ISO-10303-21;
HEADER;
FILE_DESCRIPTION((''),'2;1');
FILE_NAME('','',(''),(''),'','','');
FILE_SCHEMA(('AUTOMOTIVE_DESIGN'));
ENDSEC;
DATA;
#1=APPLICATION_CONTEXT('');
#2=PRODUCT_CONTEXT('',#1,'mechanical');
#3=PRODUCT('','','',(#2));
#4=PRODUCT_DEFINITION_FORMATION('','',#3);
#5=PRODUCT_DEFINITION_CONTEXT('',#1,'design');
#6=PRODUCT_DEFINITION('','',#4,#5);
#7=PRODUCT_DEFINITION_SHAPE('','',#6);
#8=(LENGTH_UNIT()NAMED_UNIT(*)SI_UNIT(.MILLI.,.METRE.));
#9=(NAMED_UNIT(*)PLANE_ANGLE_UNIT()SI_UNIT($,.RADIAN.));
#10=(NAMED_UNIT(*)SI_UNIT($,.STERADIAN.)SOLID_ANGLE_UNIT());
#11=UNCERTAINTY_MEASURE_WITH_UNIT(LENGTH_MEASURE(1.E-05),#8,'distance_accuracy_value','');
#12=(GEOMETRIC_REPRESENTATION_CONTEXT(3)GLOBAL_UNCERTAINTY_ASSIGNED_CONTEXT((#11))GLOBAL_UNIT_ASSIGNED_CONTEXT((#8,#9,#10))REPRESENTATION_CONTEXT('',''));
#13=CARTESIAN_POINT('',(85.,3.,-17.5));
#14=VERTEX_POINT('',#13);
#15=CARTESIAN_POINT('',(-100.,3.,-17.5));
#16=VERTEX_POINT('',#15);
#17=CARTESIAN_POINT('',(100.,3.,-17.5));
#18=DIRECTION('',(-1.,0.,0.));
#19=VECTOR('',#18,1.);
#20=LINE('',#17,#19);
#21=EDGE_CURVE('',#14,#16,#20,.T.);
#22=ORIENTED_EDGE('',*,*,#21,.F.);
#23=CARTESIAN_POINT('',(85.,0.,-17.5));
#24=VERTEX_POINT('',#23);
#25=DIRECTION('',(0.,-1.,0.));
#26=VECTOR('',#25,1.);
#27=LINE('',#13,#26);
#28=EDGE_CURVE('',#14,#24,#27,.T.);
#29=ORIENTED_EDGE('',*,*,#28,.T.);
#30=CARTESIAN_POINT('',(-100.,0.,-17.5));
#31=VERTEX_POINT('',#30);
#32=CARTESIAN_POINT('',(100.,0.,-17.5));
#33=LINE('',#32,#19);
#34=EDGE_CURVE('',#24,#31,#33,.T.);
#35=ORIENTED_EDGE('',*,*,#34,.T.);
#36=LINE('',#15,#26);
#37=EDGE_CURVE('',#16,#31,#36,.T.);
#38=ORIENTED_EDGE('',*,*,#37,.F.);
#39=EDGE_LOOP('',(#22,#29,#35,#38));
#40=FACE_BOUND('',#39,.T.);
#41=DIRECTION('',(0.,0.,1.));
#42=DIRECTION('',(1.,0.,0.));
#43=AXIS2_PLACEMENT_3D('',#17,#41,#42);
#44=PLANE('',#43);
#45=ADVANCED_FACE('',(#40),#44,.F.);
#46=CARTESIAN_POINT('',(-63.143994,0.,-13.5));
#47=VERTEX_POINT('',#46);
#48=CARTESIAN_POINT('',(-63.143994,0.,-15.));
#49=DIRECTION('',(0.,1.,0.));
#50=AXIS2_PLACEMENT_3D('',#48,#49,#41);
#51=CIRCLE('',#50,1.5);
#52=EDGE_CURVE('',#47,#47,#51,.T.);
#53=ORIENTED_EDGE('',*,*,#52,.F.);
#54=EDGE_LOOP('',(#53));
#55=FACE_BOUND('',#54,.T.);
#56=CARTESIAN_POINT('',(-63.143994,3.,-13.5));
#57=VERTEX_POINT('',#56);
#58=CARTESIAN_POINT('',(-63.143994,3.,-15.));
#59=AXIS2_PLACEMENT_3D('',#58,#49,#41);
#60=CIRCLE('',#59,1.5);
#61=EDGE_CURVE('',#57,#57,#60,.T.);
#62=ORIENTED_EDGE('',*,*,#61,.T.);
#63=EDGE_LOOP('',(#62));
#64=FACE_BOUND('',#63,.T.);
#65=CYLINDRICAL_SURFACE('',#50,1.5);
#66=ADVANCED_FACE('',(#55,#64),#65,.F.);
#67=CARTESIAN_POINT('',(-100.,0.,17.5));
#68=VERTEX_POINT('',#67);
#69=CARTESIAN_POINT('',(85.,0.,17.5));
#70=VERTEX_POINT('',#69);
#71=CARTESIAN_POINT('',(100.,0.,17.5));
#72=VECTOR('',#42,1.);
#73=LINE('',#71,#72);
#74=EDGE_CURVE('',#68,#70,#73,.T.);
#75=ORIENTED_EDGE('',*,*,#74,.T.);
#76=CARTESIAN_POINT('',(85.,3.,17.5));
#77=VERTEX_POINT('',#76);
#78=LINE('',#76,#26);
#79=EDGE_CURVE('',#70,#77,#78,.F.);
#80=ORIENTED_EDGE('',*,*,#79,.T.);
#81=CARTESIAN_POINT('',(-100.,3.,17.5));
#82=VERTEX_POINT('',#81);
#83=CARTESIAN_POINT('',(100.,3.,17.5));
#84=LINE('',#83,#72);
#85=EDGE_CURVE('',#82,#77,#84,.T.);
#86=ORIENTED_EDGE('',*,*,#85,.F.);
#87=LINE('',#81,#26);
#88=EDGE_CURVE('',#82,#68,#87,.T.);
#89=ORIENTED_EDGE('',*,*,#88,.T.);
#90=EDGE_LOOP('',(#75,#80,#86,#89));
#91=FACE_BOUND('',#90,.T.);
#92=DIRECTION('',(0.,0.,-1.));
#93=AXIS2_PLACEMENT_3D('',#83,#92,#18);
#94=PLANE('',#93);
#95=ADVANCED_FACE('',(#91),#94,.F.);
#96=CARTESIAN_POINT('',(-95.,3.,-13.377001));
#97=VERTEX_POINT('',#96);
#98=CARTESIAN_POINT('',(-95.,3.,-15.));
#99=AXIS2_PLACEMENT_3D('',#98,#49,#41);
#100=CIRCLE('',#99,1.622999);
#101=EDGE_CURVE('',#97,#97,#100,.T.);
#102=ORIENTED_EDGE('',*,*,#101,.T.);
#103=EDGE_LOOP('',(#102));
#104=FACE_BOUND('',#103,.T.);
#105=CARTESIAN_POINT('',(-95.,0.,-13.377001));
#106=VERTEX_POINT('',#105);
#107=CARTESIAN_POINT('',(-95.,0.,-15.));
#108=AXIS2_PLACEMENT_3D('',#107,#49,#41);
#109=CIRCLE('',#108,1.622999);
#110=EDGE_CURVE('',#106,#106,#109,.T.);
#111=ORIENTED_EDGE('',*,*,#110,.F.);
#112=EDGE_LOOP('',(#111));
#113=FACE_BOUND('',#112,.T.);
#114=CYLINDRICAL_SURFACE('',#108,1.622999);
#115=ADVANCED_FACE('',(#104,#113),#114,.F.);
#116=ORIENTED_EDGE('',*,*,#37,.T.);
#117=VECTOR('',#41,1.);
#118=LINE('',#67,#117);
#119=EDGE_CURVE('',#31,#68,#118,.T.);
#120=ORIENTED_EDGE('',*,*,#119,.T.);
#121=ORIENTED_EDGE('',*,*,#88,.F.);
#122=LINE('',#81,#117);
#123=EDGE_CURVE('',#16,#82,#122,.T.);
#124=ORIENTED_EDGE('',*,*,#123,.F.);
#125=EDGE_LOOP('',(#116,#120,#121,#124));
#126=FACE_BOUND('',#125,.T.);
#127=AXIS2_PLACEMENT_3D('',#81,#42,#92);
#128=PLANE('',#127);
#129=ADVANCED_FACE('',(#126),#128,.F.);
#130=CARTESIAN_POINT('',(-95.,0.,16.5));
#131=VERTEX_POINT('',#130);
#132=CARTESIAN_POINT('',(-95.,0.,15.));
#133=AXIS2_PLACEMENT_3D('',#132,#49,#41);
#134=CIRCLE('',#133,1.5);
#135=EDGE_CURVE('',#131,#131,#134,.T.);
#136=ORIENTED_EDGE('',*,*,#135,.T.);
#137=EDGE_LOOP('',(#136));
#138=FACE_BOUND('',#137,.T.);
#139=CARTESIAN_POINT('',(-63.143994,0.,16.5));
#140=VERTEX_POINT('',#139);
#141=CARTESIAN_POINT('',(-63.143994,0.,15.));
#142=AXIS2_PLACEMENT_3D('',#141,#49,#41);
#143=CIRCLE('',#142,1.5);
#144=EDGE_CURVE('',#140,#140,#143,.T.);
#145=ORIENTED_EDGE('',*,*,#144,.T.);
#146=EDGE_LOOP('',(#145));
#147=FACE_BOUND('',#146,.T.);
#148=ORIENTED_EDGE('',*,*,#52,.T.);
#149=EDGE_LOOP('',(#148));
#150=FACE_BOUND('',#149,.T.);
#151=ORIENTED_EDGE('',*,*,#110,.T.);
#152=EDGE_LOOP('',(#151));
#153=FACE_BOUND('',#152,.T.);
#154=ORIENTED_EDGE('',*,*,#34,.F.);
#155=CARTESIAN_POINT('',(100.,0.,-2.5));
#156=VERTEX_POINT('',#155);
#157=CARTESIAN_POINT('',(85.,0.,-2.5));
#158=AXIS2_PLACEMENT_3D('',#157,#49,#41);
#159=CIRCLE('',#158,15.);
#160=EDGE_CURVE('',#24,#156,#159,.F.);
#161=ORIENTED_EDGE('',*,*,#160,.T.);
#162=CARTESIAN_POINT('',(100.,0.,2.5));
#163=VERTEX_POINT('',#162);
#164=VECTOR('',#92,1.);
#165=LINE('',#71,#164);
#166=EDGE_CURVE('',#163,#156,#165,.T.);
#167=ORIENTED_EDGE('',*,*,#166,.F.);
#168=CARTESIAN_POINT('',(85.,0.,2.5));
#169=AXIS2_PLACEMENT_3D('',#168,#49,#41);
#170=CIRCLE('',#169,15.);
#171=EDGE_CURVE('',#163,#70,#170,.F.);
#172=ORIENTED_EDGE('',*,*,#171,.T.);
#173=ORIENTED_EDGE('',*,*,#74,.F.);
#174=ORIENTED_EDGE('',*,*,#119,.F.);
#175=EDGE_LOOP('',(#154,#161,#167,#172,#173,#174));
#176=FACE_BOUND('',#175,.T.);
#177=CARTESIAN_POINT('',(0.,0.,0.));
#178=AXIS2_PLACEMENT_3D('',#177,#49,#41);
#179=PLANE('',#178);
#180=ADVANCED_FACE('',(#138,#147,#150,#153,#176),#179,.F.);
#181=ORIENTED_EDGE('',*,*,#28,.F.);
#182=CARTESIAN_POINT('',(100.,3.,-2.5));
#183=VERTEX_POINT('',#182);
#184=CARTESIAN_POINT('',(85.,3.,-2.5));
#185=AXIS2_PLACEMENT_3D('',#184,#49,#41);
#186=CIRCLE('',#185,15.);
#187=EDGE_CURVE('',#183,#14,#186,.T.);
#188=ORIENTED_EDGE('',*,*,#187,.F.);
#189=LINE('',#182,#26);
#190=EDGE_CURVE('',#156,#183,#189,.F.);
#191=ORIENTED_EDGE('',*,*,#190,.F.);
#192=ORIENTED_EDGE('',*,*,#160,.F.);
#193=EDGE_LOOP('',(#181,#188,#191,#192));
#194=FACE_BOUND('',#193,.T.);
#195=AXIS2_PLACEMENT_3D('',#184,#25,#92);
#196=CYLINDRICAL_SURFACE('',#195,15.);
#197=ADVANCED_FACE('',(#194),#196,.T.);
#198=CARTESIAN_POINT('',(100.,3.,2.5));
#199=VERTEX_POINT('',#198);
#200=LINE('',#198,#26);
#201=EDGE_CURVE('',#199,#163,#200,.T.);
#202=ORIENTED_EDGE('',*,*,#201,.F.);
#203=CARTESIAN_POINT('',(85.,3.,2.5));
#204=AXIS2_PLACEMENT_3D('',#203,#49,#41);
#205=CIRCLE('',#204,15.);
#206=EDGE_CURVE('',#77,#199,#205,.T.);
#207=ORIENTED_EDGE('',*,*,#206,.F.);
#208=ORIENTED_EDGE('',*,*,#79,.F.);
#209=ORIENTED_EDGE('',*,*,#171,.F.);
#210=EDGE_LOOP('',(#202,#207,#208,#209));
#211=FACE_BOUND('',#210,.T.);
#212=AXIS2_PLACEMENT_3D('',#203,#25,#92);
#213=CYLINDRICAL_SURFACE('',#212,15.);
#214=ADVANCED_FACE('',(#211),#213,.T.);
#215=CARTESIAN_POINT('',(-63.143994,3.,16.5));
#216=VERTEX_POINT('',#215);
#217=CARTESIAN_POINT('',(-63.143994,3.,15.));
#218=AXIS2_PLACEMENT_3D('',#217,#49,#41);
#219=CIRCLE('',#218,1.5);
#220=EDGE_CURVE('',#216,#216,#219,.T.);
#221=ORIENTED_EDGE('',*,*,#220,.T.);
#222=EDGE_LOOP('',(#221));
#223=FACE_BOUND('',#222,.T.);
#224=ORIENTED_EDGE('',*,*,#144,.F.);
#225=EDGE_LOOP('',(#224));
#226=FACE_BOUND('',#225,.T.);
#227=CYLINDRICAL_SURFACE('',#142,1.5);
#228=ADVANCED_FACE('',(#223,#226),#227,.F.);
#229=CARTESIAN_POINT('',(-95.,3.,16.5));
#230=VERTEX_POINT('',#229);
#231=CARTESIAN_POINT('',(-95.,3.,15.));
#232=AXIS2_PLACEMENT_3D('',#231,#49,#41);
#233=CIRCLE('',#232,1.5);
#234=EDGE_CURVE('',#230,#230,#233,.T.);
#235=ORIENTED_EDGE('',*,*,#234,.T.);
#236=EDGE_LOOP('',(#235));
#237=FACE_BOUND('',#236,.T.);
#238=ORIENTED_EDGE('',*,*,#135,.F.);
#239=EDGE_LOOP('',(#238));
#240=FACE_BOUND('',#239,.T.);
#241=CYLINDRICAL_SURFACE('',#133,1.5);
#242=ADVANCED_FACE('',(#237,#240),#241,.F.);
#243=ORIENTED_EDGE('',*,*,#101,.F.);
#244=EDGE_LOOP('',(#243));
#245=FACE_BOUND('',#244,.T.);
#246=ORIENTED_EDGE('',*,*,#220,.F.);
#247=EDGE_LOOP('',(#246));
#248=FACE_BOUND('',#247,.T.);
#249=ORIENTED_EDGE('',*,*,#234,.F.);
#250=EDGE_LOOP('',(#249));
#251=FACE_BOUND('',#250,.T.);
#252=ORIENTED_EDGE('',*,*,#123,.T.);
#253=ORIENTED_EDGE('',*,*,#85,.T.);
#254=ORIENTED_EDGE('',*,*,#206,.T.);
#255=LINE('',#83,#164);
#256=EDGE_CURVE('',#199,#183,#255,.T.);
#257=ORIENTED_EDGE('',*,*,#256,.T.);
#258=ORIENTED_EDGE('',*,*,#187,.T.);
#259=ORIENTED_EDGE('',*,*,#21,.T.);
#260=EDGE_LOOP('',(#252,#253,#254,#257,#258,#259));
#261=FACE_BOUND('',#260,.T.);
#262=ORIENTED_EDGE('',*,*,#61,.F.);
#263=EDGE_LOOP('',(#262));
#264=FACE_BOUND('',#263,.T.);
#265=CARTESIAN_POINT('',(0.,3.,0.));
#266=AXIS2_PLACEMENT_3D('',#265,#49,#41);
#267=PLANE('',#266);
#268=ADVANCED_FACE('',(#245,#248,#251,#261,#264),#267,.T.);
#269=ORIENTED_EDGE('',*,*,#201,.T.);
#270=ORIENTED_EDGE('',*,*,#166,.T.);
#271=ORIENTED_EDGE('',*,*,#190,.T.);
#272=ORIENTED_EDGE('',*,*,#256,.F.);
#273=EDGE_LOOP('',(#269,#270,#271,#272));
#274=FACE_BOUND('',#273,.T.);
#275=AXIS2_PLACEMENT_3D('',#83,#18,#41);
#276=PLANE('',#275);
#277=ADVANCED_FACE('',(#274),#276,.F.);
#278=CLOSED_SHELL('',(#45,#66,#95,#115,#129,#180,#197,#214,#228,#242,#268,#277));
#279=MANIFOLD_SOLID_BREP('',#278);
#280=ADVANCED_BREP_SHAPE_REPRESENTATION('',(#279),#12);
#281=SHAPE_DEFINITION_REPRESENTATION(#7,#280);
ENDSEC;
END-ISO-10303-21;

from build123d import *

# Parameters (mm, degrees)
SKETCH1_W           = 200
SKETCH1_H           = 35
BOSS_EXTRUDE1_DEPTH = 3
FILLET1_R           = 15
CUT_EXTRUDE1_DEPTH  = 102.564019219


with BuildPart() as part:
    # Sketch1 → Boss-Extrude1 (new body)
    with BuildSketch(Plane(origin=(0, 0, 0), x_dir=(1, 0, 0), z_dir=(0, 1, 0))):
        Rectangle(SKETCH1_W, SKETCH1_H)
    extrude(amount=BOSS_EXTRUDE1_DEPTH)

    # Fillet1
    fillet1_edges = [part.edges().sort_by_distance(p)[0] for p in [
        (100, 1.5, -17.5),
        (100, 1.5, 17.5),
    ]]
    fillet(fillet1_edges, radius=FILLET1_R)

    # Sketch2 → Cut-Extrude1 (cut, through all)
    with BuildSketch(Plane(origin=(0, 3, 0), x_dir=(1, 0, 0), z_dir=(0, 1, 0))):
        with BuildLine():
            ThreePointArc((-93.377001476, 15), (-96.147633262, 16.147633262), (-95, 13.377001476))
            Line((-95, 13.377001476), (-95, 15))
            Line((-95, 15), (-93.377001476, 15))
        make_face()
        with BuildLine():
            Line((-95, 15), (-95, 13.377001476))
            ThreePointArc((-95, 13.377001476), (-93.852366738, 13.852366738), (-93.377001476, 15))
            Line((-93.377001476, 15), (-95, 15))
        make_face()
        with BuildLine():
            ThreePointArc((-95, -13.5), (-96.060660172, -16.060660172), (-93.5, -15))
            Line((-93.5, -15), (-95, -15))
            Line((-95, -15), (-95, -13.5))
        make_face()
        with BuildLine():
            Line((-95, -15), (-93.5, -15))
            ThreePointArc((-93.5, -15), (-93.939339828, -13.939339828), (-95, -13.5))
            Line((-95, -13.5), (-95, -15))
        make_face()
        with BuildLine():
            ThreePointArc((-63.143993753, -13.5), (-64.204653925, -13.939339828), (-64.643993753, -15))
            Line((-64.643993753, -15), (-63.143993753, -15))
            Line((-63.143993753, -15), (-63.143993753, -13.5))
        make_face()
        with BuildLine():
            Line((-63.143993753, -15), (-64.643993753, -15))
            ThreePointArc((-64.643993753, -15), (-63.143993753, -16.5), (-61.643993753, -15))
            ThreePointArc((-61.643993753, -15), (-62.083333581, -13.939339828), (-63.143993753, -13.5))
            Line((-63.143993753, -13.5), (-63.143993753, -15))
        make_face()
        with BuildLine():
            ThreePointArc((-64.643993753, 15), (-64.204653925, 13.939339828), (-63.143993753, 13.5))
            Line((-63.143993753, 13.5), (-63.143993753, 15))
            Line((-63.143993753, 15), (-64.643993753, 15))
        make_face()
        with BuildLine():
            Line((-63.143993753, 15), (-63.143993753, 13.5))
            ThreePointArc((-63.143993753, 13.5), (-62.083333581, 13.939339828), (-61.643993753, 15))
            ThreePointArc((-61.643993753, 15), (-63.143993753, 16.5), (-64.643993753, 15))
            Line((-64.643993753, 15), (-63.143993753, 15))
        make_face()
    extrude(amount=-CUT_EXTRUDE1_DEPTH, mode=Mode.SUBTRACT)


solid = part.part
